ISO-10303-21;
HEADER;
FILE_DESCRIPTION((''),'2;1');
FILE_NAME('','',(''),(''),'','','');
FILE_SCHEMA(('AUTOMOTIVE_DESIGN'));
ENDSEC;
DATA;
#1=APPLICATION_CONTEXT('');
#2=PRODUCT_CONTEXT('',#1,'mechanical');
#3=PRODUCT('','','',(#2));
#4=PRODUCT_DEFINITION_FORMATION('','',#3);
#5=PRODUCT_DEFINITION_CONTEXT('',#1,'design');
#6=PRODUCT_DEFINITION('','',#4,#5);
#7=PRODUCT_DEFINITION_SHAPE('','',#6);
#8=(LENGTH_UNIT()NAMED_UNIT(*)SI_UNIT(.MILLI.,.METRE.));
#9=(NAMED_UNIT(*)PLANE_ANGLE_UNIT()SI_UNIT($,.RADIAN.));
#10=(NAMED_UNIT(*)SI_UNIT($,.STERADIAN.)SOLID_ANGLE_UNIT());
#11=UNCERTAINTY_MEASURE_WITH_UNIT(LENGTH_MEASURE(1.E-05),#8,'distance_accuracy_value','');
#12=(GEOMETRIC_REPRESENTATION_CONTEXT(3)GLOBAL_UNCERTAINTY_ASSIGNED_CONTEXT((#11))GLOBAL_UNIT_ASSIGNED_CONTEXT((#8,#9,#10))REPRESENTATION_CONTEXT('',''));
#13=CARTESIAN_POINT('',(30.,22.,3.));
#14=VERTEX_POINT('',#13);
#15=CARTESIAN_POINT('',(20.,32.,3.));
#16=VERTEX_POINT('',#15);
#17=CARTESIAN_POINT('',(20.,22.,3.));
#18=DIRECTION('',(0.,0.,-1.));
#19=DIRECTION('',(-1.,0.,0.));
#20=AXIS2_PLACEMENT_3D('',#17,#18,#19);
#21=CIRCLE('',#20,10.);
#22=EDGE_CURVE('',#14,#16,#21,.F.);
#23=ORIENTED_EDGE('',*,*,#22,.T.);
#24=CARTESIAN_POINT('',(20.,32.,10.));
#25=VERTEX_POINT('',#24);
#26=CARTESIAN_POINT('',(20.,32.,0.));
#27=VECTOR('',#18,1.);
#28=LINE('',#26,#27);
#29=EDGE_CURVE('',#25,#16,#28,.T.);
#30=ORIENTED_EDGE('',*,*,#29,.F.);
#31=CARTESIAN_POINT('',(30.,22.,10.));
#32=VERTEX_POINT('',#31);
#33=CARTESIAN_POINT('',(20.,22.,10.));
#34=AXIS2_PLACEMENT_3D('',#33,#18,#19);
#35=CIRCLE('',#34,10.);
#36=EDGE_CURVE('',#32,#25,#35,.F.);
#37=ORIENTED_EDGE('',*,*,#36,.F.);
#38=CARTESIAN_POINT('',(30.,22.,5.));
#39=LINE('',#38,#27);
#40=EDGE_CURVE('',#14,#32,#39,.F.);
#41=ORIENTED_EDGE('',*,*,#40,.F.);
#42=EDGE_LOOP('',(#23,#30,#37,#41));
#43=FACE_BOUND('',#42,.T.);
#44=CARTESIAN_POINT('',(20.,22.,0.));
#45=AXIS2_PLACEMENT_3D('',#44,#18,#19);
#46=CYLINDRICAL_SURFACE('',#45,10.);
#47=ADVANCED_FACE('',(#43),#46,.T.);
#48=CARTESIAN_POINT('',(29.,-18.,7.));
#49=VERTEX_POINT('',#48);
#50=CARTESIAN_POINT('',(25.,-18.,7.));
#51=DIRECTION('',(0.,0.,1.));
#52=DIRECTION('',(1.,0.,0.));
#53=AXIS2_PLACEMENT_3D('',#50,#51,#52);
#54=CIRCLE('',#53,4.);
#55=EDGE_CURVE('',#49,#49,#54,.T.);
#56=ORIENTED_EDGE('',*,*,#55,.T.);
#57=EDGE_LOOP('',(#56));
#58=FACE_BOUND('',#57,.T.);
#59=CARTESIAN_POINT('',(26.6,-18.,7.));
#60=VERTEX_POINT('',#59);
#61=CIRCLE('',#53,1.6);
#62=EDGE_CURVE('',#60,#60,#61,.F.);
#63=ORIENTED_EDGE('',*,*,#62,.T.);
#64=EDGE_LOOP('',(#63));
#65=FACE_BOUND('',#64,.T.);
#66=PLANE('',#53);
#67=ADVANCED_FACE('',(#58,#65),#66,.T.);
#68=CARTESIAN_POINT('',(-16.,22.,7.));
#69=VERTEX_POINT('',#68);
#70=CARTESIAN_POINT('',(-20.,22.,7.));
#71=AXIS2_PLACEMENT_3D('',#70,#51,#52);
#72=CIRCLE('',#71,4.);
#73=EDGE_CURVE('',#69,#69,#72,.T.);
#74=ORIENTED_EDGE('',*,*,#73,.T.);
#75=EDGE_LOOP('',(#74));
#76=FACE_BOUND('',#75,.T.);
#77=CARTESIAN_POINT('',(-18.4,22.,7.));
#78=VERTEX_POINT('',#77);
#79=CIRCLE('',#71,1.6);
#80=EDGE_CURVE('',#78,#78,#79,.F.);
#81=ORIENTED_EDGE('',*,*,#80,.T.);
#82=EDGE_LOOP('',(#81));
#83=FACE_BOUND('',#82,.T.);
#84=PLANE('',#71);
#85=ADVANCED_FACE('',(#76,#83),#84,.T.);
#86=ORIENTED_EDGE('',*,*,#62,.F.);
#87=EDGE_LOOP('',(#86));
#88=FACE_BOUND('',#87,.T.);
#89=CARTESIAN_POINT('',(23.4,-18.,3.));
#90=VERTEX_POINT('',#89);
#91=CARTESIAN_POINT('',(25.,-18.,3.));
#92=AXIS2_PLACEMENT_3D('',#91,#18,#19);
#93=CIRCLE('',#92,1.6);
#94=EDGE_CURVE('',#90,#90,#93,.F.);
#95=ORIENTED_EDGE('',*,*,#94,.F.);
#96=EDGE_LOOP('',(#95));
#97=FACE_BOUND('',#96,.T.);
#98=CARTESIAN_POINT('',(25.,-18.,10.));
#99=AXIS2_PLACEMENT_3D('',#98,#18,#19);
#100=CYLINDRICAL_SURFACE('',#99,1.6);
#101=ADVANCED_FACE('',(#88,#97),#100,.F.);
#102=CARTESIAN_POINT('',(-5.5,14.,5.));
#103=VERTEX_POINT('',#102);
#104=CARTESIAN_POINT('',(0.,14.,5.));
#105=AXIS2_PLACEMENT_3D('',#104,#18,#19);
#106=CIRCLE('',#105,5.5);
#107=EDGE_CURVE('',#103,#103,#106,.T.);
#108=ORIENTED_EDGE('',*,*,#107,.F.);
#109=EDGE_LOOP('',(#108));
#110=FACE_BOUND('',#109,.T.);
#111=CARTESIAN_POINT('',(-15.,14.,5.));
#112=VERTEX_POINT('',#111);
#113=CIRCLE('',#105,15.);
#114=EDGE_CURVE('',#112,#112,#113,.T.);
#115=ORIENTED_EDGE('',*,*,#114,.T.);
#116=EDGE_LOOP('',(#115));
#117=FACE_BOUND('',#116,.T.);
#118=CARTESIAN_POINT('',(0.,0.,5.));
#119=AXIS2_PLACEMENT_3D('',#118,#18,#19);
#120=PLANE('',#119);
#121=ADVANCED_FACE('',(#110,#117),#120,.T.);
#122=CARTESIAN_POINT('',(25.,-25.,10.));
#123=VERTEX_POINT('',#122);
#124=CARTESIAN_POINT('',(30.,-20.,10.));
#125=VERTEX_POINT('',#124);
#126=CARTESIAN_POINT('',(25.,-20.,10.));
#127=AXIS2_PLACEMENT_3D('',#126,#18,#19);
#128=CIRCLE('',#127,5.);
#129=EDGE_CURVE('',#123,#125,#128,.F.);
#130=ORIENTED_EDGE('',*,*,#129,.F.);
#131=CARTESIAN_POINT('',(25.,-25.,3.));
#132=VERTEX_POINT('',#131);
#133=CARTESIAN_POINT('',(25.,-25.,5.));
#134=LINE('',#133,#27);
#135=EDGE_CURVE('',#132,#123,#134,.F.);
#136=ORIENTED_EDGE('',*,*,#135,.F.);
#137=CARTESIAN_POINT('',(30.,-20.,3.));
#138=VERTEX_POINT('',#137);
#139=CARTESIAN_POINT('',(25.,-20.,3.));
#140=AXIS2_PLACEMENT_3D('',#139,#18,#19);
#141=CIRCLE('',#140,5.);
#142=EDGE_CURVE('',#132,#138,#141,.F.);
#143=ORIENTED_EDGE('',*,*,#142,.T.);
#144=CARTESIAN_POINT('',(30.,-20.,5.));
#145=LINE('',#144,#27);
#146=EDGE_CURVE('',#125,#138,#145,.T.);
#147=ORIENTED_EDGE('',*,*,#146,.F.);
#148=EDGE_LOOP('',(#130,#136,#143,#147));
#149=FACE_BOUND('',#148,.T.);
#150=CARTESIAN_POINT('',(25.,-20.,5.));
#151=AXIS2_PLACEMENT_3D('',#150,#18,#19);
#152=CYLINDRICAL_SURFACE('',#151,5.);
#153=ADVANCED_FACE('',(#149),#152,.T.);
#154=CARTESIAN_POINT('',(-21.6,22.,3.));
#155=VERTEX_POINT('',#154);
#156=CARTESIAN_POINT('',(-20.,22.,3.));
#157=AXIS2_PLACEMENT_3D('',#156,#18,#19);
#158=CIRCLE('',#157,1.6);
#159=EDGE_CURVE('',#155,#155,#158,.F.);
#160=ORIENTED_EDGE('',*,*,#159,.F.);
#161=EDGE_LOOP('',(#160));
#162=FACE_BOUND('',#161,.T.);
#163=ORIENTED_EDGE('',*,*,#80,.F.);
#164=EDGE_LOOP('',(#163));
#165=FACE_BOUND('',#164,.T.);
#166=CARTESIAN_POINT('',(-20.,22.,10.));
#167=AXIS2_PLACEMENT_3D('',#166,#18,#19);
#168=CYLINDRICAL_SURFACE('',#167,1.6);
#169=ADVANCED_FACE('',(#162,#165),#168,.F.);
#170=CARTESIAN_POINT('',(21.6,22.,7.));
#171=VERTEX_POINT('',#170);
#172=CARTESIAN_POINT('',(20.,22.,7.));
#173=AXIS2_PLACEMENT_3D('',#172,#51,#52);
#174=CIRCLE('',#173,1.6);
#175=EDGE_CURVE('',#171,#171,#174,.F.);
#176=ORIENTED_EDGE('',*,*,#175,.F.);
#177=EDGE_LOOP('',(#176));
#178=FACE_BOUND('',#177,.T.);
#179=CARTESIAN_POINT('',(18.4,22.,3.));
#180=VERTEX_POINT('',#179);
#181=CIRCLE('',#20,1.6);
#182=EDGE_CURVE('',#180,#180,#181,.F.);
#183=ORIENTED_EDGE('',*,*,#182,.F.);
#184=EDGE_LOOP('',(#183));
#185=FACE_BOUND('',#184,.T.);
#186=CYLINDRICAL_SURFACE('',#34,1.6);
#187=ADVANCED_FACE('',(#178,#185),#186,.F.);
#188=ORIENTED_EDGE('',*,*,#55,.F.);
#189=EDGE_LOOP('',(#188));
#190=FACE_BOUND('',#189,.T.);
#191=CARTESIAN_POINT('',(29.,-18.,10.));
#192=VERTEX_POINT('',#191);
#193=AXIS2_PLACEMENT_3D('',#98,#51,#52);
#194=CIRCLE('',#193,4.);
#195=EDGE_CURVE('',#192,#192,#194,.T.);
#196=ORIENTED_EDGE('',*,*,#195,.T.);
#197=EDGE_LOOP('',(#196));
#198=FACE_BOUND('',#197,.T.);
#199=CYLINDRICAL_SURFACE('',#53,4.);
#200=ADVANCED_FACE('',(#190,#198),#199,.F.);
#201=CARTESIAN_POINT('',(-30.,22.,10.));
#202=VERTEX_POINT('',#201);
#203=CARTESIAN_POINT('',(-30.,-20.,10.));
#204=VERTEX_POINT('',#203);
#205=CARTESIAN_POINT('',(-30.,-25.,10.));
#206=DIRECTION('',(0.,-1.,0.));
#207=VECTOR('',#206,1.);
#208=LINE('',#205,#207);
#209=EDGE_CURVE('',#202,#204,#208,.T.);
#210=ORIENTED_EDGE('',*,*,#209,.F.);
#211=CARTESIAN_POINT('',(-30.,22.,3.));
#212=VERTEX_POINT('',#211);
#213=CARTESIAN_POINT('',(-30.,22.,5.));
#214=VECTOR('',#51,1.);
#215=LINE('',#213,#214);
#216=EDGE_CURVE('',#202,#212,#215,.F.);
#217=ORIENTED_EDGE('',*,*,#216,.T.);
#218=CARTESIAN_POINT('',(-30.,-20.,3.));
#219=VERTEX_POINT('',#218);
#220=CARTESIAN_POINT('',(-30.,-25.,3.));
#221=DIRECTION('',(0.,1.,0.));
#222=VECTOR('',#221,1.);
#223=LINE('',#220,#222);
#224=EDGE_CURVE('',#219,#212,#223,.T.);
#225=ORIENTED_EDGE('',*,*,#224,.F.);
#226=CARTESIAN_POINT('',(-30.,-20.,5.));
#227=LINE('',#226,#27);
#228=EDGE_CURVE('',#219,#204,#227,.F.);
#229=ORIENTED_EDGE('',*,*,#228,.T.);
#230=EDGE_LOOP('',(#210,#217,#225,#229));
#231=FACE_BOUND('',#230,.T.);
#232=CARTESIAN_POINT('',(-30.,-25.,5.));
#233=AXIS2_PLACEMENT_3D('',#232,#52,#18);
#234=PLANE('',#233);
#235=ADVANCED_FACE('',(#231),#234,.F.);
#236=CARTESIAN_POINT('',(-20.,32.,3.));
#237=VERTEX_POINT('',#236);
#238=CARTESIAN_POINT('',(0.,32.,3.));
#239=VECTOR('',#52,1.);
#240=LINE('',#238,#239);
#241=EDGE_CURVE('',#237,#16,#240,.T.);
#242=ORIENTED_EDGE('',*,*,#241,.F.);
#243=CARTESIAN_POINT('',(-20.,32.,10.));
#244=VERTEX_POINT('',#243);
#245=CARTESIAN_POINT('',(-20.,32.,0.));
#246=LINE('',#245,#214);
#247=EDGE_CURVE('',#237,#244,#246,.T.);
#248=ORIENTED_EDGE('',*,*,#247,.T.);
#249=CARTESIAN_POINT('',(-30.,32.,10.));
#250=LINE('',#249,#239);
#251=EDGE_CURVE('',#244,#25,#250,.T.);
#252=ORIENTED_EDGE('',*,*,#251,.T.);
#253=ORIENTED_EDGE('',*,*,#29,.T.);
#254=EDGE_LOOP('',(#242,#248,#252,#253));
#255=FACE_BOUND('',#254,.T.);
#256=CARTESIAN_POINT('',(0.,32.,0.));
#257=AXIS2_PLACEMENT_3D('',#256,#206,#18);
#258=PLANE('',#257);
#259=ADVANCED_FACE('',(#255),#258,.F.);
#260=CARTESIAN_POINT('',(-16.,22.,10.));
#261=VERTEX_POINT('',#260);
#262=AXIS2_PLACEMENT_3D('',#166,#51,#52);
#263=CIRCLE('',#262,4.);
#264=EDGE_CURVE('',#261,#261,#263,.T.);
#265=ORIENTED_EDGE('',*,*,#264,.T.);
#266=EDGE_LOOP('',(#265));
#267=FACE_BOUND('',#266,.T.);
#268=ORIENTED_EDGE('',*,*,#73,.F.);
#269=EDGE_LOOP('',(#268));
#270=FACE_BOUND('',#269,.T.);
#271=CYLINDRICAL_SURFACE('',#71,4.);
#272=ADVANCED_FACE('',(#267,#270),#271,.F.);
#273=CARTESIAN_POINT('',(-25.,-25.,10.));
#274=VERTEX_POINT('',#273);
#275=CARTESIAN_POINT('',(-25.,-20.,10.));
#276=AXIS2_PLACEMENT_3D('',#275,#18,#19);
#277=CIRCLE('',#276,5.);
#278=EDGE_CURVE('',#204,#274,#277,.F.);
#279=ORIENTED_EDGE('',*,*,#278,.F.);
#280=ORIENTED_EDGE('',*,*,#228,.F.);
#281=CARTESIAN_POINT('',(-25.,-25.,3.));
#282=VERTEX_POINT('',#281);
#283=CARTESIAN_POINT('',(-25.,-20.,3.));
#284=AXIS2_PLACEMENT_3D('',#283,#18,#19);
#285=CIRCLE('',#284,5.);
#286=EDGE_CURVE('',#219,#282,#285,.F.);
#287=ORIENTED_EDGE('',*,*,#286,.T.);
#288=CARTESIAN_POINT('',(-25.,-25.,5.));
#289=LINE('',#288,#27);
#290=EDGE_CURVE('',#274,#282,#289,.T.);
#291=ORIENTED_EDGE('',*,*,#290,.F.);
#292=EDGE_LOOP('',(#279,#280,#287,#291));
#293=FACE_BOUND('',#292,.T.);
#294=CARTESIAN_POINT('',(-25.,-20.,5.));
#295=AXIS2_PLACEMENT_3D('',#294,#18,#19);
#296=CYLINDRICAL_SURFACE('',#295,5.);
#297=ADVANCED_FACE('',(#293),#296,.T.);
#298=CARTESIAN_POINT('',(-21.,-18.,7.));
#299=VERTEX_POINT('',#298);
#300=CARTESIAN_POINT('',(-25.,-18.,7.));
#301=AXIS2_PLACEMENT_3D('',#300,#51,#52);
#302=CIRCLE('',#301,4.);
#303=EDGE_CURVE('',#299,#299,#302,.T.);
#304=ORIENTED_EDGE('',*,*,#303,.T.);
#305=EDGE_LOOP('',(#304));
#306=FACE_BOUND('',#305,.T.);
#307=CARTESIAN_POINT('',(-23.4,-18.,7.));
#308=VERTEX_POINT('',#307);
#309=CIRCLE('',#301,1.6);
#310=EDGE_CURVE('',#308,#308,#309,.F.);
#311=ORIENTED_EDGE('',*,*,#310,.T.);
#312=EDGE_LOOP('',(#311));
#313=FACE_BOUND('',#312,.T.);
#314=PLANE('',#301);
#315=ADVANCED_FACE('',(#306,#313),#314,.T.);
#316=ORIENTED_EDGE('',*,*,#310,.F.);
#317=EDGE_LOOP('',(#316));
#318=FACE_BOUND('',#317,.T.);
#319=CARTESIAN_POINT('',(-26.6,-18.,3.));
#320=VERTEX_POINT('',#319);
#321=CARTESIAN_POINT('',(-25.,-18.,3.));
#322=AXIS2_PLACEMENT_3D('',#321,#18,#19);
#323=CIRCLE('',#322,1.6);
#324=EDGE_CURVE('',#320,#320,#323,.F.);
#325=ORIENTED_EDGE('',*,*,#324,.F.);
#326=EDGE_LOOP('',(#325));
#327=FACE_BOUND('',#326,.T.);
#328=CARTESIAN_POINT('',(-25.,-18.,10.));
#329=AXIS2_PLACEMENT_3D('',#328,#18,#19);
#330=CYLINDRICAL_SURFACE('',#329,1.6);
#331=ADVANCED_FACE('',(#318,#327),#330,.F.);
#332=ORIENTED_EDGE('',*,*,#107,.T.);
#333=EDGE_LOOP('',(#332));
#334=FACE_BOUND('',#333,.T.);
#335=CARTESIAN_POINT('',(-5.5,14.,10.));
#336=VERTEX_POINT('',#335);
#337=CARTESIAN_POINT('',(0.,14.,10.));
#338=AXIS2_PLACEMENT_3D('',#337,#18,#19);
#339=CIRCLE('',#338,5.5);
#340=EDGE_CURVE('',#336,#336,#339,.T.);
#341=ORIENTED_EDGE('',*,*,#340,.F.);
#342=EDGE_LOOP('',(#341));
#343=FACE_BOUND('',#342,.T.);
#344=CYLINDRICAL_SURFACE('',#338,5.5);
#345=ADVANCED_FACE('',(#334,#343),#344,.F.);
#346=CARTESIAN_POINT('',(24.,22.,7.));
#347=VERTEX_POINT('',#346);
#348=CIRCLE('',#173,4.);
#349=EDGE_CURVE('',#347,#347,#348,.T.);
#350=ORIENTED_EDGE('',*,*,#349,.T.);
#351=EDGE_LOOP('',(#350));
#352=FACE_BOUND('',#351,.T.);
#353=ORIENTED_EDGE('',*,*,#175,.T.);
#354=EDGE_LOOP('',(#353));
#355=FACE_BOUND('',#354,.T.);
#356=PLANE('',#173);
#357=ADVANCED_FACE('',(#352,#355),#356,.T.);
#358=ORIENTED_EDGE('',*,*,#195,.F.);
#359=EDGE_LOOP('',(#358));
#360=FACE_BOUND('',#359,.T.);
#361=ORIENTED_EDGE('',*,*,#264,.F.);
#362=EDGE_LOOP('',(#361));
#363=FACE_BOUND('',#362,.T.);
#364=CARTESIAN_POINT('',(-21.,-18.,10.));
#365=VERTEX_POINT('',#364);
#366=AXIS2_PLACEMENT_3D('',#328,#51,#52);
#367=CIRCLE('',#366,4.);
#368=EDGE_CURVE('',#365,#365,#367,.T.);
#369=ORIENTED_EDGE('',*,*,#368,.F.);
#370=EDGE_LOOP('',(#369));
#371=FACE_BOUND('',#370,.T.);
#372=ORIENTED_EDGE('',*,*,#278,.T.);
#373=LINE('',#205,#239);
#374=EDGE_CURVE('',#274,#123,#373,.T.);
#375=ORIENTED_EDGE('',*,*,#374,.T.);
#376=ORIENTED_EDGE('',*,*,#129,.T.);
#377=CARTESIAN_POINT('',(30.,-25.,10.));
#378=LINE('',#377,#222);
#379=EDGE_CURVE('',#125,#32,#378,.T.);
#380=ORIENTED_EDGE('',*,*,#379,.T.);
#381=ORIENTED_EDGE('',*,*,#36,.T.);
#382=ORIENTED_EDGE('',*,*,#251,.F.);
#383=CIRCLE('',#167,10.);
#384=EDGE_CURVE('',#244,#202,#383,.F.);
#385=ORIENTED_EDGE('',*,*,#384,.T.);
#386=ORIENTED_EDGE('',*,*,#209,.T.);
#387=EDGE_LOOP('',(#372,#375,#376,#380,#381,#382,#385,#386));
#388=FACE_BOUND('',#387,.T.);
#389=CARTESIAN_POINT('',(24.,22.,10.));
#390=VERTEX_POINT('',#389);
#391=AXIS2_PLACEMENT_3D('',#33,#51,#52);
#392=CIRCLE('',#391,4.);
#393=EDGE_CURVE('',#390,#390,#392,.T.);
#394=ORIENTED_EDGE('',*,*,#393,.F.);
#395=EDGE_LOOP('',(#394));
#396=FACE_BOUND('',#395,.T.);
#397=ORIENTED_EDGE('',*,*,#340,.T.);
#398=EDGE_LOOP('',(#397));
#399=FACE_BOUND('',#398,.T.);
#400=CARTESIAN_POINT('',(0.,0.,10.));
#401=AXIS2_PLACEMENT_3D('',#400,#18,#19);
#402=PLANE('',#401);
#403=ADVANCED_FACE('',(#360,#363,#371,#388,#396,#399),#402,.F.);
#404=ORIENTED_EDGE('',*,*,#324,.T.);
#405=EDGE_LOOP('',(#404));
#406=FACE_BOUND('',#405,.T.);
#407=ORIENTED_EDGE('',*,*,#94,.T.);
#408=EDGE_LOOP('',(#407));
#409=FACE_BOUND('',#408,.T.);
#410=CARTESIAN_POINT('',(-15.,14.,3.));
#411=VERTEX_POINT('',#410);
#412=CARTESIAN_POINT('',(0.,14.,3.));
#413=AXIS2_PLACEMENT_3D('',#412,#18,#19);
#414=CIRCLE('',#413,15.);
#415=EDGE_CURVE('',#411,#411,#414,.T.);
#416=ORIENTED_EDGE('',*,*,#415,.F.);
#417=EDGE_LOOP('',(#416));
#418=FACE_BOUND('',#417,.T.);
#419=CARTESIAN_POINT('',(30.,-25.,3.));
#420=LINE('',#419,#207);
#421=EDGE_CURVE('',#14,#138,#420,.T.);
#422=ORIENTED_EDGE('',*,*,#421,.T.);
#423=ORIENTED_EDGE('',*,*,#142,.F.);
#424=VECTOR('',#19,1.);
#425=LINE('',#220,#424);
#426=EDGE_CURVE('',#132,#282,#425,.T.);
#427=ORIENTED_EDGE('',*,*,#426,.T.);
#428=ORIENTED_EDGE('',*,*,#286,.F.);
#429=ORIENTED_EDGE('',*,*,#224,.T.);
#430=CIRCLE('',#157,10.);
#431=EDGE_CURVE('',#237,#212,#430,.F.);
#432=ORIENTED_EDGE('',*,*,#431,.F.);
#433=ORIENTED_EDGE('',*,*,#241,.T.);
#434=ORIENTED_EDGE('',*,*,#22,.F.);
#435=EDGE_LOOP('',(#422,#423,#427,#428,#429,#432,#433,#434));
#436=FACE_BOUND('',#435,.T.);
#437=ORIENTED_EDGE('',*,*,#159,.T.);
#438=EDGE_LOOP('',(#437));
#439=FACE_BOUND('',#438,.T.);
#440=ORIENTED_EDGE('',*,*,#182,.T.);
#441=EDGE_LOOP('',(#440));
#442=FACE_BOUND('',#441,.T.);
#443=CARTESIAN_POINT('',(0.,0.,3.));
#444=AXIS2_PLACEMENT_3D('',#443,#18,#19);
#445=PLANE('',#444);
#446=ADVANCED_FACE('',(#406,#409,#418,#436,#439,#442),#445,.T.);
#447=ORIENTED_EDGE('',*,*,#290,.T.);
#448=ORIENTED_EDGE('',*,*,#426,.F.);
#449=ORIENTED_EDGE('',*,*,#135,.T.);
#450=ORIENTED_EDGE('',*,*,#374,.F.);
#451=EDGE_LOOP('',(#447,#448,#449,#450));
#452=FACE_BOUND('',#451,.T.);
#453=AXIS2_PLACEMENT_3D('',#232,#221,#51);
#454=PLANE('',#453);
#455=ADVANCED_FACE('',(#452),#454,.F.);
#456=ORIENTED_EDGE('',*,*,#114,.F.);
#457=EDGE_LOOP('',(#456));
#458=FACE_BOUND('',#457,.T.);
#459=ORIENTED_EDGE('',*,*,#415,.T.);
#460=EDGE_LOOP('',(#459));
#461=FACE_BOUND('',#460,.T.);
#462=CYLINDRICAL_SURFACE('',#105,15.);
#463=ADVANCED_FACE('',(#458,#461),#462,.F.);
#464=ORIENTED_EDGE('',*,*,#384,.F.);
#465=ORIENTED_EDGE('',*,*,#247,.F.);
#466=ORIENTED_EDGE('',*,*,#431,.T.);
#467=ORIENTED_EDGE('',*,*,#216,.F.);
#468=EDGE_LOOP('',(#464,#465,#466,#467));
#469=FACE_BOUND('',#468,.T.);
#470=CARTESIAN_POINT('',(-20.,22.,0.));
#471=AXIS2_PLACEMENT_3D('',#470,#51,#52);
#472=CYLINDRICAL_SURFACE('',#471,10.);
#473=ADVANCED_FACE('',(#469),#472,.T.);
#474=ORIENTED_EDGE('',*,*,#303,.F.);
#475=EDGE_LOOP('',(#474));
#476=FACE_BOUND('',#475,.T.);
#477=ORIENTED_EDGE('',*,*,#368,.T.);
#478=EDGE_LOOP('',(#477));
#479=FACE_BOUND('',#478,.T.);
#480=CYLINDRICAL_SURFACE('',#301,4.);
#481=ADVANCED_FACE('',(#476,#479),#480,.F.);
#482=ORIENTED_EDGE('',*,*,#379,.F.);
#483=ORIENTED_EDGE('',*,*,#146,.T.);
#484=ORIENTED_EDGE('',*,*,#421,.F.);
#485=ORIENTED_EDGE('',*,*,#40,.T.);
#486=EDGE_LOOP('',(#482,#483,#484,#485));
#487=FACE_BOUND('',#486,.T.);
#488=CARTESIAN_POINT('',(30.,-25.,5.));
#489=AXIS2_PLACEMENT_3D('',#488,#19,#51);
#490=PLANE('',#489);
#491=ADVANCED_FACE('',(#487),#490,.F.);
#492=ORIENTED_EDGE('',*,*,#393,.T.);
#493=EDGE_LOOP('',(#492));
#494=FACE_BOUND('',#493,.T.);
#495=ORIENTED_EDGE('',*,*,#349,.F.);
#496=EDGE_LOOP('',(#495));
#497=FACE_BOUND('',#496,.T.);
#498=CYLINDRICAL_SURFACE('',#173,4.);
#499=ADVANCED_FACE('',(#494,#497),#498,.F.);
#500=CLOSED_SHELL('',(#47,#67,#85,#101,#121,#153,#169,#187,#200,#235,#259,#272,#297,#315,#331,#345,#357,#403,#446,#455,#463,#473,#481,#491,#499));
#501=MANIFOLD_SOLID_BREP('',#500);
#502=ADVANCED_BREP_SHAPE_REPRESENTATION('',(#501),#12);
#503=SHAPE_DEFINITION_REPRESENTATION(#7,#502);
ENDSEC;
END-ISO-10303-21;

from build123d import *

# Parameters (mm, degrees)
SKETCH_1_W          = 60
SKETCH_1_H          = 50
SKETCH_1_R          = 15
EXTRUDE_5_DEPTH     = 5
SKETCH_4_W          = 60
SKETCH_4_H          = 50
SKETCH_4_R          = 5.5
EXTRUDE_6_DEPTH     = 5
SKETCH_5_R          = 1.6
CUT_EXTRUDE_1_DEPTH = 10
SKETCH_6_W          = 60
SKETCH_6_H          = 10
EXTRUDE_7_DEPTH     = 7
FILLET_3_R          = 10
FILLET_5_R          = 10
FILLET_6_R          = 5
FILLET_7_R          = 5
SKETCH_8_R          = 41.984876442
CUT_EXTRUDE_3_DEPTH = 3
SKETCH_7_R          = 4
CUT_EXTRUDE_4_DEPTH = 3
SKETCH_9_R          = 15
EXTRUDE_8_DEPTH     = 7
SKETCH_10_R         = 15
CUT_EXTRUDE_5_DEPTH = 2
SKETCH_11_R         = 5.5
CUT_EXTRUDE_6_DEPTH = 45.147480109


with BuildPart() as part:
    # 草图1 → 凸台-拉伸5 (new body)
    with BuildSketch(Plane.XY):
        Rectangle(SKETCH_1_W, SKETCH_1_H)
        Circle(SKETCH_1_R, mode=Mode.SUBTRACT)
    extrude(amount=EXTRUDE_5_DEPTH)

    # 草图4 → 凸台-拉伸6 (add)
    with BuildSketch(Plane.XY.offset(5)):
        Rectangle(SKETCH_4_W, SKETCH_4_H)
        Circle(SKETCH_4_R, mode=Mode.SUBTRACT)
    extrude(amount=EXTRUDE_6_DEPTH)

    # 草图5 → 切除-拉伸1 (cut)
    with BuildSketch(Plane(origin=(0, 0, 0), x_dir=(-1, 0, 0), z_dir=(0, 0, -1))):
        with Locations((-20, 22)):
            Circle(SKETCH_5_R)
        with Locations((-25, -18)):
            Circle(SKETCH_5_R)
        with Locations((20, 22)):
            Circle(SKETCH_5_R)
        with Locations((25, -18)):
            Circle(SKETCH_5_R)
    extrude(amount=-CUT_EXTRUDE_1_DEPTH, mode=Mode.SUBTRACT)

    # 草图6 → 凸台-拉伸7 (add)
    with BuildSketch(Plane(origin=(0, 25, 0), x_dir=(1, 0, 0), z_dir=(0, 1, 0))):
        with Locations((0, -5)):
            Rectangle(SKETCH_6_W, SKETCH_6_H)
    extrude(amount=EXTRUDE_7_DEPTH)

    # 圆角3
    fillet_3_edges = [part.edges().sort_by_distance(p)[0] for p in [
        (-30, 32, 5),
    ]]
    fillet(fillet_3_edges, radius=FILLET_3_R)

    # 圆角5
    fillet_5_edges = [part.edges().sort_by_distance(p)[0] for p in [
        (30, 32, 5),
    ]]
    fillet(fillet_5_edges, radius=FILLET_5_R)

    # 圆角6
    fillet_6_edges = [part.edges().sort_by_distance(p)[0] for p in [
        (-30, -25, 5),
    ]]
    fillet(fillet_6_edges, radius=FILLET_6_R)

    # 圆角7
    fillet_7_edges = [part.edges().sort_by_distance(p)[0] for p in [
        (30, -25, 5),
    ]]
    fillet(fillet_7_edges, radius=FILLET_7_R)

    # 草图8 → 切除-拉伸3 (cut)
    with BuildSketch(Plane(origin=(0, 0, 0), x_dir=(-1, 0, 0), z_dir=(0, 0, -1))):
        Circle(SKETCH_8_R)
    extrude(amount=-CUT_EXTRUDE_3_DEPTH, mode=Mode.SUBTRACT)

    # 草图7 → 切除-拉伸4 (cut)
    with BuildSketch(Plane.XY.offset(10)):
        with Locations((-20, 22)):
            Circle(SKETCH_7_R)
        with Locations((20, 22)):
            Circle(SKETCH_7_R)
        with Locations((-25, -18)):
            Circle(SKETCH_7_R)
        with Locations((25, -18)):
            Circle(SKETCH_7_R)
    extrude(amount=-CUT_EXTRUDE_4_DEPTH, mode=Mode.SUBTRACT)

    # 草图9 → 凸台-拉伸8 (add)
    with BuildSketch(Plane(origin=(0, 0, 3), x_dir=(-1, 0, 0), z_dir=(0, 0, -1))):
        Circle(SKETCH_9_R)
    extrude(amount=-EXTRUDE_8_DEPTH)

    # 草图10 → 切除-拉伸5 (cut)
    with BuildSketch(Plane(origin=(0, 0, 3), x_dir=(-1, 0, 0), z_dir=(0, 0, -1))):
        with Locations((0, 14)):
            Circle(SKETCH_10_R)
    extrude(amount=-CUT_EXTRUDE_5_DEPTH, mode=Mode.SUBTRACT)

    # 草图11 → 切除-拉伸6 (cut, through all)
    with BuildSketch(Plane(origin=(0, 0, 5), x_dir=(-1, 0, 0), z_dir=(0, 0, -1))):
        with Locations((0, 14)):
            Circle(SKETCH_11_R)
    extrude(amount=-CUT_EXTRUDE_6_DEPTH, mode=Mode.SUBTRACT)


solid = part.part
